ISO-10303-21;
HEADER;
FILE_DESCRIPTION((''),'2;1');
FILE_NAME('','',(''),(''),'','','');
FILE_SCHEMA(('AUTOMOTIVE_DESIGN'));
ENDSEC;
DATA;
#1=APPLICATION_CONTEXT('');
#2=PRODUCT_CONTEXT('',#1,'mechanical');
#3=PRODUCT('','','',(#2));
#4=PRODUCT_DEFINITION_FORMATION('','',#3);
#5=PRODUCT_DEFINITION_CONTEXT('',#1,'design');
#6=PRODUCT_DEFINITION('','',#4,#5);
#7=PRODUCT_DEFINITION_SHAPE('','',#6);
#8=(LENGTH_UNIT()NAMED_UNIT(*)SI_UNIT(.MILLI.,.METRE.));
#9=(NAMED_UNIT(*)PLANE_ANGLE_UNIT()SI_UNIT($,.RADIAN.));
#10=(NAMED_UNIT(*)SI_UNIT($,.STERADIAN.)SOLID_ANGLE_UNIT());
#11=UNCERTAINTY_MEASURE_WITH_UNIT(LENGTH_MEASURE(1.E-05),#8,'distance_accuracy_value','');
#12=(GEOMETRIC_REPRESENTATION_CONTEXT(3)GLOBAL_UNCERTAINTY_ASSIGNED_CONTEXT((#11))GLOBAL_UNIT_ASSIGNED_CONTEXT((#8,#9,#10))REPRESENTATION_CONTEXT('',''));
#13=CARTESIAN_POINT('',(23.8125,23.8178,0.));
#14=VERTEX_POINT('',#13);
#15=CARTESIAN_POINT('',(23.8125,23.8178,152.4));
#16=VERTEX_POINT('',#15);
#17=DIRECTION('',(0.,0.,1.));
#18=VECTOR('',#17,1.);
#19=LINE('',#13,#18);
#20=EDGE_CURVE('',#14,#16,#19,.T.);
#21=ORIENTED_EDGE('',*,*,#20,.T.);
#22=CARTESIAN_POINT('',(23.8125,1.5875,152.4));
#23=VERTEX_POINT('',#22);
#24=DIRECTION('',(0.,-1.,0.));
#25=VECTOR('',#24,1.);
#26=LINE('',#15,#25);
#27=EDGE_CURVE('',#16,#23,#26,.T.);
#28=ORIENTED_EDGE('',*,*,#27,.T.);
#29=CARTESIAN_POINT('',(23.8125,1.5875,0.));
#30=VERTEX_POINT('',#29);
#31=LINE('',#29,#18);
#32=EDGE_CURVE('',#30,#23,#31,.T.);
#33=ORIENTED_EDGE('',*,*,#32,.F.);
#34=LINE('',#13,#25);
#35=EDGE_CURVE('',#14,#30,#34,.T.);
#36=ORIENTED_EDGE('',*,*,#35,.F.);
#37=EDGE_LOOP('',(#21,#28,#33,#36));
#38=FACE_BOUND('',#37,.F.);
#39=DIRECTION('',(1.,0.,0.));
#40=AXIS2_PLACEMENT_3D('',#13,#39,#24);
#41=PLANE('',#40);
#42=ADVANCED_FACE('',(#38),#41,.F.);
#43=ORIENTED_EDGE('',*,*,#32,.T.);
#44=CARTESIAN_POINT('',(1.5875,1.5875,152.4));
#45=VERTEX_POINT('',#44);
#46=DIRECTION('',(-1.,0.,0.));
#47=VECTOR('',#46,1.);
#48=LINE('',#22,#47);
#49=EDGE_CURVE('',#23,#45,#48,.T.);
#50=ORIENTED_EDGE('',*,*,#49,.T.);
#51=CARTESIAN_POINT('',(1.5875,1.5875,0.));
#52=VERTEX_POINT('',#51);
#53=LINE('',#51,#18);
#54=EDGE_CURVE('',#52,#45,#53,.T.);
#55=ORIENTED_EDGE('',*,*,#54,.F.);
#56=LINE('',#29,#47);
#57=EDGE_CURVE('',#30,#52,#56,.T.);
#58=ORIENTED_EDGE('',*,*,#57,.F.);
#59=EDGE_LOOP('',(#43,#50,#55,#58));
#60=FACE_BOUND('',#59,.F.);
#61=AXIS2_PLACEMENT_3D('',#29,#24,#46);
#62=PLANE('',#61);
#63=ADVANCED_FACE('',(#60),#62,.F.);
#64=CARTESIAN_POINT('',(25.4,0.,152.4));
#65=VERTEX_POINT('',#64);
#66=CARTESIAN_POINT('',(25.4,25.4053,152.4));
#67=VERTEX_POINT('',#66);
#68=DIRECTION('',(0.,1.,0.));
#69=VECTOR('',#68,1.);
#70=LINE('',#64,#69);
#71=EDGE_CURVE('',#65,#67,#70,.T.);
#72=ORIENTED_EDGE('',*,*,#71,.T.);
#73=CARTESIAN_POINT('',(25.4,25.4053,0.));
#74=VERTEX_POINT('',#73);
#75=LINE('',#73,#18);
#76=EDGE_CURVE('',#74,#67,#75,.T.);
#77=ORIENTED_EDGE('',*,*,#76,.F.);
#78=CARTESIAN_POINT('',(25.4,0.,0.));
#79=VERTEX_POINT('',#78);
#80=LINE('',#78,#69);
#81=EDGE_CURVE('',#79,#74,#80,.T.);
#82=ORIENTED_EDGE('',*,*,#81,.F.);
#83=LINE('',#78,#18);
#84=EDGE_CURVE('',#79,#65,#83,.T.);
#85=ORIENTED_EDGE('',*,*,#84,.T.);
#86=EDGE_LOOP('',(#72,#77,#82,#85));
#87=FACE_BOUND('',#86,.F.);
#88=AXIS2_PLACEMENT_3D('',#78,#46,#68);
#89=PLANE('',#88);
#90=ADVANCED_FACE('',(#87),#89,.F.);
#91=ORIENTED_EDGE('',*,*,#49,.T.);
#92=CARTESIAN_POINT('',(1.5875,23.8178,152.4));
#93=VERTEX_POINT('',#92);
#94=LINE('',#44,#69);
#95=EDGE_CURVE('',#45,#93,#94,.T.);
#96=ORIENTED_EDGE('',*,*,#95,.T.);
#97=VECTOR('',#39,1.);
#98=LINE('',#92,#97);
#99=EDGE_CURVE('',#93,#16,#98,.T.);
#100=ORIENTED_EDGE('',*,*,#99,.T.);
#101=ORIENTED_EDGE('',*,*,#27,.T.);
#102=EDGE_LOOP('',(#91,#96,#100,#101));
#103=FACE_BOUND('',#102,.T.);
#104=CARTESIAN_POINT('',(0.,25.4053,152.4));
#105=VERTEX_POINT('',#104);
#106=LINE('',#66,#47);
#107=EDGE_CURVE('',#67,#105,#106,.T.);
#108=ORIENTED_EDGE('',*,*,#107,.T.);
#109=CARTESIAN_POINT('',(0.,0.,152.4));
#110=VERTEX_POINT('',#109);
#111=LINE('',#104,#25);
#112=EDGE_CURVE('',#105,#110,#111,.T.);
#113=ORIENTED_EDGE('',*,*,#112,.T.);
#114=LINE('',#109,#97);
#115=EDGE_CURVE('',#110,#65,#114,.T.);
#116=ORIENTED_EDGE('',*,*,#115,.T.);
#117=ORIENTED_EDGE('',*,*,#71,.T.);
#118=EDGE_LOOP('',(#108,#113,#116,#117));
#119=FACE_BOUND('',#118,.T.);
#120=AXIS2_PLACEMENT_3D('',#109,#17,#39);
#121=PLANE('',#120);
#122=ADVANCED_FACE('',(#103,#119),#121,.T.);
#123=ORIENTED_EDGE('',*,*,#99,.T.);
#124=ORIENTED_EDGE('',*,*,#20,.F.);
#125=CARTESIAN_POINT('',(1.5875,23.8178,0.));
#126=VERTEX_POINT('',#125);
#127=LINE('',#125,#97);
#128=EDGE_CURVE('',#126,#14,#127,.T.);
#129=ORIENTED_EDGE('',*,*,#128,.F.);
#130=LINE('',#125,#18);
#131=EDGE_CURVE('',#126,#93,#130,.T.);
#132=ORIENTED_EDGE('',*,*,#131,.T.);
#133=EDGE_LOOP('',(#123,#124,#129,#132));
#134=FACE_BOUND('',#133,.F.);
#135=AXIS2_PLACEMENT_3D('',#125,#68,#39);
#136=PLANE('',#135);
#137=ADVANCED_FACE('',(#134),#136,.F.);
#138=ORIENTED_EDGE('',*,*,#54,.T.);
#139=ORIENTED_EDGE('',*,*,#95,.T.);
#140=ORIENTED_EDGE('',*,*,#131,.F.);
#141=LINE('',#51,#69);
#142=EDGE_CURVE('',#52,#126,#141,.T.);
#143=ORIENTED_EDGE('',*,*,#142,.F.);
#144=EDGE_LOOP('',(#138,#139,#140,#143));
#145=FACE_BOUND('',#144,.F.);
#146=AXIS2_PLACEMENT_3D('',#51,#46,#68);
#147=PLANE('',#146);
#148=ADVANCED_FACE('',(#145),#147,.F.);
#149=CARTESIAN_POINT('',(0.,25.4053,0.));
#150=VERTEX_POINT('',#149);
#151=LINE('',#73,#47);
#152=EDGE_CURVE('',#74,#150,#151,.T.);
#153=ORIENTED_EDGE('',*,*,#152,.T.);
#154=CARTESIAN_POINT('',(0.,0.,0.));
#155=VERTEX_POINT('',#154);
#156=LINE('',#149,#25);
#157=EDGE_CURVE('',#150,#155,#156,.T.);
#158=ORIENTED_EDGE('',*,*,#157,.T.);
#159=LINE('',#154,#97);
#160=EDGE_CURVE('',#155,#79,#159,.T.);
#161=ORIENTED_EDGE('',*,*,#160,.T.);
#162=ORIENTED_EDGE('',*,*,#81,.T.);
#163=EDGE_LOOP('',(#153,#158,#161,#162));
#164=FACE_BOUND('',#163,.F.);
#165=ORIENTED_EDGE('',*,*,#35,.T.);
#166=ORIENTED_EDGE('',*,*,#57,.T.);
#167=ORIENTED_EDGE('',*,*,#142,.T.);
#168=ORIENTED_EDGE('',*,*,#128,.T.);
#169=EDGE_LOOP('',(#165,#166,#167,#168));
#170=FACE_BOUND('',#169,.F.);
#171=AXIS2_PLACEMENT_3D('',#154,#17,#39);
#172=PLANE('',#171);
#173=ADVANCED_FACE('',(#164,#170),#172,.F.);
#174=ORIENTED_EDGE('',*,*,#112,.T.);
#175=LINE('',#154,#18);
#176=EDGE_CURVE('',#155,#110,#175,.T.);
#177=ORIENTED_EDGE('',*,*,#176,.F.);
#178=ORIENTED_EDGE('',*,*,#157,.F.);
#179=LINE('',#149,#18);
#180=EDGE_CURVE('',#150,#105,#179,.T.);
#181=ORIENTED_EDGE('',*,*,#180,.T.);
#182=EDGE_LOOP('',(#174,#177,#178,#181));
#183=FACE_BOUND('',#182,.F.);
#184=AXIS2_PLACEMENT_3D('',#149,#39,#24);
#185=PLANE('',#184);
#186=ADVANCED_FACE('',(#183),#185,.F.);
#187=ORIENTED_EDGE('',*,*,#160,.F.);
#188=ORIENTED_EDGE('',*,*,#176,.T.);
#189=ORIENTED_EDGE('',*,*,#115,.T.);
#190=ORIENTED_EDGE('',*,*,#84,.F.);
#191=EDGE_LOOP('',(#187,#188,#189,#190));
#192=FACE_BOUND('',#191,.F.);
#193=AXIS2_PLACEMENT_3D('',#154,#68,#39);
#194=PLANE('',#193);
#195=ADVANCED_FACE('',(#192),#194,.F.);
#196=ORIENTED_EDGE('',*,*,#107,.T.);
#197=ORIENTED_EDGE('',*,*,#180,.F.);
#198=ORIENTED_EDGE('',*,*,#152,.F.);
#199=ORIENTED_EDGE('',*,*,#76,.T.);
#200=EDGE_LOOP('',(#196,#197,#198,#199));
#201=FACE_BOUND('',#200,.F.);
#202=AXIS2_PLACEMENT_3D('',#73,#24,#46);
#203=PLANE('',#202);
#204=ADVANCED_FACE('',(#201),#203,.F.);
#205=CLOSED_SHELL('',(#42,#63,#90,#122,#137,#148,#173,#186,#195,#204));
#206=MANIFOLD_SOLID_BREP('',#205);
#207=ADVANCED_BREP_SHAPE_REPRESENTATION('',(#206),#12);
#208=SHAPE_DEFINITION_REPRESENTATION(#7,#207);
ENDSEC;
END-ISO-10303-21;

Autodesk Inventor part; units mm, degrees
ref_plane "YZ Plane" through (0, 0, 0) normal (1, 0, 0) x (0, 1, 0)
ref_plane "XZ Plane" through (0, 0, 0) normal (0, 1, 0) x (-1, 0, 0)
ref_plane "XY Plane" through (0, 0, 0) normal (0, 0, 1) x (1, 0, 0)
sketch "Sketch1" plane through (0, 0, 0) normal (0, 0, 1) x (1, 0, 0)
  line L0 (0, 0) -> (25.4, 0)
  line L1 (25.4, 0) -> (25.4, 25.4053)
  line L2 (25.4, 25.4053) -> (0, 25.4053)
  line L3 (0, 25.4053) -> (0, 0)
  line L4 (1.5875, 22.2862) -> (1.5875, 23.8178) construction
  line L5 (1.5875, 23.8178) -> (23.8125, 23.8178)
  line L6 (23.8125, 23.8178) -> (23.8125, 1.5875)
  line L7 (23.8125, 1.5875) -> (1.5875, 1.5875)
  line L8 (1.5875, 1.5875) -> (1.5875, 23.8178)
  dimension "d0" = 25.4
  dimension "d4" = 22.225
extrude "Extrusion1" add sketch "Sketch1" along normal blind 152.4
properties part number "Hook 2nd 1x1"
